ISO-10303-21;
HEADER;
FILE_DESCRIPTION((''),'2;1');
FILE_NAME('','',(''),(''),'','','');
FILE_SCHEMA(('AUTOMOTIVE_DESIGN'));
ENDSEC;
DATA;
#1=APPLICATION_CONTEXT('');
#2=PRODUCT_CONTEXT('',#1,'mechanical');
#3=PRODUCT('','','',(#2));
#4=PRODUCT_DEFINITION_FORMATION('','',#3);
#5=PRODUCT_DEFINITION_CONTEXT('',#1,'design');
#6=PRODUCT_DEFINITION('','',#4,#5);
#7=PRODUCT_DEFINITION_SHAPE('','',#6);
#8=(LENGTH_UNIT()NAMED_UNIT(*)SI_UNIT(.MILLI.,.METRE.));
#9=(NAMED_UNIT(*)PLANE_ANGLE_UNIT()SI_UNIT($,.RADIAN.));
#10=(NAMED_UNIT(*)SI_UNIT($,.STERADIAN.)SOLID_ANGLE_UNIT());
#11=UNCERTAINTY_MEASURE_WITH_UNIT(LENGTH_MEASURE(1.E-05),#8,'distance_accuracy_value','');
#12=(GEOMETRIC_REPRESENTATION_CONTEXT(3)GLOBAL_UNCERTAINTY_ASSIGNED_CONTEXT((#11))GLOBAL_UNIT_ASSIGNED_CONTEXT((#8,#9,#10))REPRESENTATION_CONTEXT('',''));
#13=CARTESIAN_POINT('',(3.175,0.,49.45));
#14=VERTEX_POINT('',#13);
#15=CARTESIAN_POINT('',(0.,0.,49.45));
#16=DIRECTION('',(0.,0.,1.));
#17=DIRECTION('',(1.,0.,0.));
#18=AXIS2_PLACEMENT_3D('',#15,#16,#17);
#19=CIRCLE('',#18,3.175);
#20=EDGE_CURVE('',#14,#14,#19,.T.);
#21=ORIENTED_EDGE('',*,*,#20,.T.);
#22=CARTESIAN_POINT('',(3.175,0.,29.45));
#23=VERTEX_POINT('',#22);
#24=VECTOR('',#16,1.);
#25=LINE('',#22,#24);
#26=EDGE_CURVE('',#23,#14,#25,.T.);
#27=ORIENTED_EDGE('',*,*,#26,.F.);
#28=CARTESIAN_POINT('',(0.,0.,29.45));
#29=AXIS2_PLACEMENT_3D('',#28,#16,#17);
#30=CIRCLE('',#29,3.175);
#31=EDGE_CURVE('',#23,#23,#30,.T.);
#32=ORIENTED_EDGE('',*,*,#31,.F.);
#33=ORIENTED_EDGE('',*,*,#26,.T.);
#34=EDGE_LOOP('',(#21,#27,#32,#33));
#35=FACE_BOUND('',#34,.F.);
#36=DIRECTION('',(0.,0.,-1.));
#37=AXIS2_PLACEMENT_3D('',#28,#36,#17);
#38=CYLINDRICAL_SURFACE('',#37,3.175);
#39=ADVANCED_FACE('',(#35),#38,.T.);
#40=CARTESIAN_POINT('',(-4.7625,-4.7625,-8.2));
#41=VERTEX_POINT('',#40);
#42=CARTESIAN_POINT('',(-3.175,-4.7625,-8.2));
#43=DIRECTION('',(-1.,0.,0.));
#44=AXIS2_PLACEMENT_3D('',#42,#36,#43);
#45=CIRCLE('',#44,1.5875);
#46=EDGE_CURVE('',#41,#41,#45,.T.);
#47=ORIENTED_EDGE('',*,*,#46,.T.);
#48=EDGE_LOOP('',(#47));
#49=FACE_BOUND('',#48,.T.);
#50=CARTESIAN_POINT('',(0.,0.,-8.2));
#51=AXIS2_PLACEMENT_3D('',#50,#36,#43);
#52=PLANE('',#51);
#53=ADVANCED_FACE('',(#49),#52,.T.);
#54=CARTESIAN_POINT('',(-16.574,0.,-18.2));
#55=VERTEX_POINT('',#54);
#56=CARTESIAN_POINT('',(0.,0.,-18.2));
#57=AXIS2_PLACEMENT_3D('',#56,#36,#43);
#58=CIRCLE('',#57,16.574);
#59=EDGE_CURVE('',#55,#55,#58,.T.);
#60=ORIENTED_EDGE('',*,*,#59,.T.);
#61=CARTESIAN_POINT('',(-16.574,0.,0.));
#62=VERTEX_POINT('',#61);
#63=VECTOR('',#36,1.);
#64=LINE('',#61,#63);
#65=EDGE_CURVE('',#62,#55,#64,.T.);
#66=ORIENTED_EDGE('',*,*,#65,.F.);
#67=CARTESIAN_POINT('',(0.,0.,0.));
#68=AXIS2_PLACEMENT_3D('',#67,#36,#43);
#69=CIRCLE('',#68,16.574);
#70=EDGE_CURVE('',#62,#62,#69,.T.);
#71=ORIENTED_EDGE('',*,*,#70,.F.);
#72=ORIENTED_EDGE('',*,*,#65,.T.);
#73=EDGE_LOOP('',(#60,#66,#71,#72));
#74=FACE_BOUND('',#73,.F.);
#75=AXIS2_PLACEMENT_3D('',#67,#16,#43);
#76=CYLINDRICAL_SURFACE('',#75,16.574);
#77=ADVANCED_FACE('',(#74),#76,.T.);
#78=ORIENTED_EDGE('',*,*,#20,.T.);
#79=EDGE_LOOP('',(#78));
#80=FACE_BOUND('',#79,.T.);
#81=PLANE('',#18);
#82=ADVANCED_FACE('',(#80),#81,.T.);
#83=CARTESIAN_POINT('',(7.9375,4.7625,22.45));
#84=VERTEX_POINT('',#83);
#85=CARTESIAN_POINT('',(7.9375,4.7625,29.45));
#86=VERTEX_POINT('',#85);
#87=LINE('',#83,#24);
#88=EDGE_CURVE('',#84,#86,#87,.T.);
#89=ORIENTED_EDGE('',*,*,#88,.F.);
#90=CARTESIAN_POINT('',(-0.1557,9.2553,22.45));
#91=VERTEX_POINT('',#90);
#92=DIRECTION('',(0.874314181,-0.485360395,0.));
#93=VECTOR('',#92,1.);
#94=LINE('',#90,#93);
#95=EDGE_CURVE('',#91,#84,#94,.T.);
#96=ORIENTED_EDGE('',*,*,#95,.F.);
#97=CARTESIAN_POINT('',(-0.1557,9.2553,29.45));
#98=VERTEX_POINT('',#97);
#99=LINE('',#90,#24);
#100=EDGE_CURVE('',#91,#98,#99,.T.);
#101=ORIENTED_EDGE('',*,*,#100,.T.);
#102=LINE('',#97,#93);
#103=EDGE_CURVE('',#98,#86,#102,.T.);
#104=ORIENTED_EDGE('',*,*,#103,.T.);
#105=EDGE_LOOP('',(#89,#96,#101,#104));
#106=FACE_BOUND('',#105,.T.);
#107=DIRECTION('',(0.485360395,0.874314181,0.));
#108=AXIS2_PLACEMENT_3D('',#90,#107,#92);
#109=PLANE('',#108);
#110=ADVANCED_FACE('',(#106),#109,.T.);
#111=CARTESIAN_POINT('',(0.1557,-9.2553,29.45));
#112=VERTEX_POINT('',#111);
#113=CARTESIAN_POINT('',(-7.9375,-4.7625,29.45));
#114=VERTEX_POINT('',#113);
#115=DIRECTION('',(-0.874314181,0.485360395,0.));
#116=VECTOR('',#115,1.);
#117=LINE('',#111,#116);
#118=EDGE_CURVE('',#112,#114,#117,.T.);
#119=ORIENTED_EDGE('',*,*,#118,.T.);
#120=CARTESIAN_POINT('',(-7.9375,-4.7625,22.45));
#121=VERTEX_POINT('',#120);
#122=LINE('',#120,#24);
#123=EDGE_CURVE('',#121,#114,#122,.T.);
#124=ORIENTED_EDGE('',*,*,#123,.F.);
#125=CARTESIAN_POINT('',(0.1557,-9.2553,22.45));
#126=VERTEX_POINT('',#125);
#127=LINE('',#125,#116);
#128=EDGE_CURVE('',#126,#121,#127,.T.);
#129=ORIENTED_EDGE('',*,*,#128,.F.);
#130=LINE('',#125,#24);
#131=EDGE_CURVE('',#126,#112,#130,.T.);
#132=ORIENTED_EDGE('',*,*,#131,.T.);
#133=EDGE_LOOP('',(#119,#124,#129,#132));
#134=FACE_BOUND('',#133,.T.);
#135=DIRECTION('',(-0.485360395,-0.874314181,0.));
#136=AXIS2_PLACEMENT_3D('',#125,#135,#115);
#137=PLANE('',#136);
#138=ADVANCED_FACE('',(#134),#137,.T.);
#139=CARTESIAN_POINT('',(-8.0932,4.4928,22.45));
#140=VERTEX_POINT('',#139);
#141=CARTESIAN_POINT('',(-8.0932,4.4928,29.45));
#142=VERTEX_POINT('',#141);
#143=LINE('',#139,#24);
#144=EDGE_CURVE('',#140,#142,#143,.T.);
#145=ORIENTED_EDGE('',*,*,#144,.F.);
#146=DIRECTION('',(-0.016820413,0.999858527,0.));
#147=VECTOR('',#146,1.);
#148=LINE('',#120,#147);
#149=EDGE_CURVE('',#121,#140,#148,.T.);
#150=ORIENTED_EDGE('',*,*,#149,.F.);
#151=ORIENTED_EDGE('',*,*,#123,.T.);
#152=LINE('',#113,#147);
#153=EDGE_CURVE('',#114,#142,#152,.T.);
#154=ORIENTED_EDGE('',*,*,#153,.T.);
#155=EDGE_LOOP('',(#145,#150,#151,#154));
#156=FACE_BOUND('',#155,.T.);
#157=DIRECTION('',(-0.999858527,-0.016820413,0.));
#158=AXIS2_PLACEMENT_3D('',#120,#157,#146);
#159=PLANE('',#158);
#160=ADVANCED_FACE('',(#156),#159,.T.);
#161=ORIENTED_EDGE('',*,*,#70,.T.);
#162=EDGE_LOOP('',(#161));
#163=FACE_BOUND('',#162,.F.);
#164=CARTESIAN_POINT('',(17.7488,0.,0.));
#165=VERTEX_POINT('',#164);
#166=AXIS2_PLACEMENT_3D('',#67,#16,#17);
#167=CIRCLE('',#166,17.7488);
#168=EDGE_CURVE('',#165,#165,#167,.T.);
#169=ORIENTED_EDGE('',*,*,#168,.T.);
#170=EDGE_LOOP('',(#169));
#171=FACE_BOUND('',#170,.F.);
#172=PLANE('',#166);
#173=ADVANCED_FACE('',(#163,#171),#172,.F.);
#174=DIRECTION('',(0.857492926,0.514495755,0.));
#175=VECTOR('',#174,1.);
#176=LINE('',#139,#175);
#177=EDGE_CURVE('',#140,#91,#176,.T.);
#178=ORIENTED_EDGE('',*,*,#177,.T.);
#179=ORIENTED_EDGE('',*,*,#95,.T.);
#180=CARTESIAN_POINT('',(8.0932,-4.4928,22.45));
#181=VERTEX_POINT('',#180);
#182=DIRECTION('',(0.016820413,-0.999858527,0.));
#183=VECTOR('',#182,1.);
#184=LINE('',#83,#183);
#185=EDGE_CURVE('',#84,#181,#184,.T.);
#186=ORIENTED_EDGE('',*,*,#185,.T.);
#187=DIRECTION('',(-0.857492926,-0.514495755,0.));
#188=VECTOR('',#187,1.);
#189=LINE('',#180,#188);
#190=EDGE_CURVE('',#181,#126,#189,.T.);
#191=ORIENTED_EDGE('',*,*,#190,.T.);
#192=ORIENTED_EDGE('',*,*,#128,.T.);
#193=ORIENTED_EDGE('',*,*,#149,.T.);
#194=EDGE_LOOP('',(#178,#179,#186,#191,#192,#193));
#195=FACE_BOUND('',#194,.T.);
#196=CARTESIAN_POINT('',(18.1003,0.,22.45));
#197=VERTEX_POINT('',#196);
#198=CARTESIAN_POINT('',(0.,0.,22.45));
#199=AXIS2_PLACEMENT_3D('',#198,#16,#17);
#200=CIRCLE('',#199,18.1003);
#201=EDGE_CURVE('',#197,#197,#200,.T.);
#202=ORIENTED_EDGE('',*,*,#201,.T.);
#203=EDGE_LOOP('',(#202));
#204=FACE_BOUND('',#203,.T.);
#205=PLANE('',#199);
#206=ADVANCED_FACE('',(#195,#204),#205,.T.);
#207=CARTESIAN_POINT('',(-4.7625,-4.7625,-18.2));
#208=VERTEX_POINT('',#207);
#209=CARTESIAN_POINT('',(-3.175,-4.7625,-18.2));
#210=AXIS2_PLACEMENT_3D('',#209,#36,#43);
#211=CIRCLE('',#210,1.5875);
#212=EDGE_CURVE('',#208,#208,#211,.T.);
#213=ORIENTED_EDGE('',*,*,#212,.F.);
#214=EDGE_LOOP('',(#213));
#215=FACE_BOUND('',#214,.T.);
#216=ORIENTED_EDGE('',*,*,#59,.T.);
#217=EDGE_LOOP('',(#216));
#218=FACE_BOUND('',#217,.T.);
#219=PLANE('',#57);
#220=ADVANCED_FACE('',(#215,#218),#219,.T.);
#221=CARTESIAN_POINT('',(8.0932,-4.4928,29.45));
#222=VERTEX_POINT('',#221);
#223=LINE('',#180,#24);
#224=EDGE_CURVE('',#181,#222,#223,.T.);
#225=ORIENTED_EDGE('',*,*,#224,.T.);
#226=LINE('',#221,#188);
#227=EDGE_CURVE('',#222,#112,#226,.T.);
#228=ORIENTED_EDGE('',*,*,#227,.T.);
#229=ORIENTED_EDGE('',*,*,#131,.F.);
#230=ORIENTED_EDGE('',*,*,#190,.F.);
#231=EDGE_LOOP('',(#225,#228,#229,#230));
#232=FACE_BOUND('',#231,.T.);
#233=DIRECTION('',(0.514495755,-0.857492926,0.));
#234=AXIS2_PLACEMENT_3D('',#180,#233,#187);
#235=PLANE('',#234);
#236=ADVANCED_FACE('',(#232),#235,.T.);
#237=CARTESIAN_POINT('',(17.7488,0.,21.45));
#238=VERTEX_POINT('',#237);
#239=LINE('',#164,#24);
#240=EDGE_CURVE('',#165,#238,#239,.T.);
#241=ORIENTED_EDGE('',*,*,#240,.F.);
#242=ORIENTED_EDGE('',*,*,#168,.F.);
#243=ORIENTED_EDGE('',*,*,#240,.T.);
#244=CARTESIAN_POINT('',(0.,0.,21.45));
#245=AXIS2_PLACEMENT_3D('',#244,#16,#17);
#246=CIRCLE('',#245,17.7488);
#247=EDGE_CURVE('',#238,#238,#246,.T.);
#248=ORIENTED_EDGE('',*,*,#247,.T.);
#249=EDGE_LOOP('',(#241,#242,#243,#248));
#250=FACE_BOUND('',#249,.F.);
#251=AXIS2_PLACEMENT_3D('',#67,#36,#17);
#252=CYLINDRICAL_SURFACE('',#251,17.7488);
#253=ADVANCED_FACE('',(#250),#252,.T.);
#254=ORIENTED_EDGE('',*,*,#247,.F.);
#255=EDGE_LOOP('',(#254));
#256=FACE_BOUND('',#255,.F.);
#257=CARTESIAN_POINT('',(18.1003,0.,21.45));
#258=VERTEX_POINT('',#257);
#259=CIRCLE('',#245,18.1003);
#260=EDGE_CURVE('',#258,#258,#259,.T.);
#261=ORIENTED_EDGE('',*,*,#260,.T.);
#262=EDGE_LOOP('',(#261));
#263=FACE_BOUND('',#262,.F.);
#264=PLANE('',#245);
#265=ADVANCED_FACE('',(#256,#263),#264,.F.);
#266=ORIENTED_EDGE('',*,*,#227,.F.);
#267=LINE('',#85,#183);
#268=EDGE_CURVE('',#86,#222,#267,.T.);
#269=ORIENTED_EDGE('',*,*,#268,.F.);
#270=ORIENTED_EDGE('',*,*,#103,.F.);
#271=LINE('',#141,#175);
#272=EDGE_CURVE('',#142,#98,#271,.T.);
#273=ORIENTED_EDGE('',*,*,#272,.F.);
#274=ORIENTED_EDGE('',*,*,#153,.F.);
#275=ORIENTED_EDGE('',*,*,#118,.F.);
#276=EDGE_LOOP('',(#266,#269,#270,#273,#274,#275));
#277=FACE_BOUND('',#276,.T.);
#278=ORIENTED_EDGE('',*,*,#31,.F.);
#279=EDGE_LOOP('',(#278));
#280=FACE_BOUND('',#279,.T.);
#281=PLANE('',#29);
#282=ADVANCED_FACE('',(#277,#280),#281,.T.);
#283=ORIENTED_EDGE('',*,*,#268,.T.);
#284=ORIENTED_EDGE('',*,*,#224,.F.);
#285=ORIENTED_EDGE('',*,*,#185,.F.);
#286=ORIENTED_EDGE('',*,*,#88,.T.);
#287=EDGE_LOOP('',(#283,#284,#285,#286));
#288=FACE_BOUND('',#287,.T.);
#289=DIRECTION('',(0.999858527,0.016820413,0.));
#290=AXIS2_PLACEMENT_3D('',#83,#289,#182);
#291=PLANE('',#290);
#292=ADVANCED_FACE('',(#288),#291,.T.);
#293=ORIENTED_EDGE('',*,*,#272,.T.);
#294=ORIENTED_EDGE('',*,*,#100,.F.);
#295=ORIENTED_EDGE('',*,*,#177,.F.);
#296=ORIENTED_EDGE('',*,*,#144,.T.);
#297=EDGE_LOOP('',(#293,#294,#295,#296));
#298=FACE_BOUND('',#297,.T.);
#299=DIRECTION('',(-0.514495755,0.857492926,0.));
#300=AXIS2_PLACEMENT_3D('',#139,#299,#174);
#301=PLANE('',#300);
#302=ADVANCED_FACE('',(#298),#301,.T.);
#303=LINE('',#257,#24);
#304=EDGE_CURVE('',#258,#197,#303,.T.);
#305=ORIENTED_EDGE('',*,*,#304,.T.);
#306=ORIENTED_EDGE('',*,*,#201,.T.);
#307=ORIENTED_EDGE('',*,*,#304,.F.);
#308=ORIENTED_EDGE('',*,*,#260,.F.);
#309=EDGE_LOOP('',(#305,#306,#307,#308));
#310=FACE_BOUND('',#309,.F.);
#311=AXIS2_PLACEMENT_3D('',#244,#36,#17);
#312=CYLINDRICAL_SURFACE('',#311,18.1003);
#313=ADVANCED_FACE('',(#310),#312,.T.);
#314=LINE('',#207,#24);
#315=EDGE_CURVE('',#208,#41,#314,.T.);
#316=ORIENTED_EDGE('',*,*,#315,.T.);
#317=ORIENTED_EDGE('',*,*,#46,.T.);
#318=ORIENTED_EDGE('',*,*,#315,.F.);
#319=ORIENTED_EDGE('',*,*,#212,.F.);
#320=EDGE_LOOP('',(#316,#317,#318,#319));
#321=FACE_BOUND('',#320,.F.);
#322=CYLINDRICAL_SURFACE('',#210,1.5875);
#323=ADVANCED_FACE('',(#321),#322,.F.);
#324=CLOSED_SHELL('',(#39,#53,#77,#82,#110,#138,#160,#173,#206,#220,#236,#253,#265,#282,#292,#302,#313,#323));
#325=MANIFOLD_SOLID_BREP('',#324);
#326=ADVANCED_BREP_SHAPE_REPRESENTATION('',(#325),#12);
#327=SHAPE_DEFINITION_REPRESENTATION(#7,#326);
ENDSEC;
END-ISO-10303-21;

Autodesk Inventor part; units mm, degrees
ref_plane "YZ Plane" through (0, 0, 0) normal (1, 0, 0) x (0, 1, 0)
ref_plane "XZ Plane" through (0, 0, 0) normal (0, 1, 0) x (-1, 0, 0)
ref_plane "XY Plane" through (0, 0, 0) normal (0, 0, 1) x (1, 0, 0)
sketch "Sketch1" plane through (0, 0, 0) normal (0, 0, 1) x (1, 0, 0)
  circle A0 centre (0, 0) radius 17.7488
extrude "Extrusion1" add sketch "Sketch1" along normal blind 21.45
sketch "Sketch2" plane through (0, 0, 0) normal (0, 0, -1) x (-1, 0, 0)
  circle A0 centre (0, 0) radius 16.574
extrude "Extrusion2" add sketch "Sketch2" along normal blind 18.2
sketch "Sketch5" plane through (0, 0, 21.45) normal (0, 0, 1) x (1, 0, 0)
  circle A0 centre (0, 0) radius 18.1003
extrude "Extrusion5" add sketch "Sketch5" along normal blind 1
sketch "Sketch3" plane through (0, 0, -18.2) normal (0, 0, -1) x (-1, 0, 0)
  circle A0 centre (0, 0) radius 17.7488 projected
  line L0 (17.7488, 0) -> (14.2875, 0)
  circle A1 centre (0, 0) radius 16.574 projected
  line L1 (15.3093, 6.35) -> (15.3093, -6.35)
  circle A2 centre (3.175, 7.9375) radius 1.5875
extrude "Extrusion3" add sketch "Sketch3" against normal blind 10 contours A2
sketch "Sketch4" plane through (0, 0, -18.2) normal (0, 0, -1) x (-1, 0, 0)
  circle A0 centre (3.175, -4.7625) radius 1.5875
  point P0 (0, 0)
extrude "Extrusion4" cut sketch "Sketch4" against normal blind 10
sketch "Sketch6" plane through (0, 0, 22.45) normal (0, 0, 1) x (1, 0, 0)
  point P0 (0, 0)
sketch "Sketch7" plane through (0, 0, 22.45) normal (0, 0, 1) x (1, 0, 0)
  line L0 (7.9375, 4.7625) -> (8.0932, -4.4928)
  line L1 (8.0932, -4.4928) -> (0.1557, -9.2553)
  line L2 (0.1557, -9.2553) -> (-7.9375, -4.7625)
  line L3 (-7.9375, -4.7625) -> (-8.0932, 4.4928)
  line L4 (-8.0932, 4.4928) -> (-0.1557, 9.2553)
  line L5 (-0.1557, 9.2553) -> (7.9375, 4.7625)
  point P0 (0, 0)
  point P1 (0, 0)
sketch "Sketch8" plane through (0, 0, 22.45) normal (0, 0, 1) x (1, 0, 0)
  point P0 (0, 0)
extrude "Extrusion6" add sketch "Sketch7" along normal blind 7
sketch "Sketch9" plane through (0, 0, 29.45) normal (0, 0, 1) x (1, 0, 0)
  circle A0 centre (0, 0) radius 3.175
extrude "Extrusion7" add sketch "Sketch9" along normal blind 20
properties part number "DC MOTOR1" material "Iron, Gray"
